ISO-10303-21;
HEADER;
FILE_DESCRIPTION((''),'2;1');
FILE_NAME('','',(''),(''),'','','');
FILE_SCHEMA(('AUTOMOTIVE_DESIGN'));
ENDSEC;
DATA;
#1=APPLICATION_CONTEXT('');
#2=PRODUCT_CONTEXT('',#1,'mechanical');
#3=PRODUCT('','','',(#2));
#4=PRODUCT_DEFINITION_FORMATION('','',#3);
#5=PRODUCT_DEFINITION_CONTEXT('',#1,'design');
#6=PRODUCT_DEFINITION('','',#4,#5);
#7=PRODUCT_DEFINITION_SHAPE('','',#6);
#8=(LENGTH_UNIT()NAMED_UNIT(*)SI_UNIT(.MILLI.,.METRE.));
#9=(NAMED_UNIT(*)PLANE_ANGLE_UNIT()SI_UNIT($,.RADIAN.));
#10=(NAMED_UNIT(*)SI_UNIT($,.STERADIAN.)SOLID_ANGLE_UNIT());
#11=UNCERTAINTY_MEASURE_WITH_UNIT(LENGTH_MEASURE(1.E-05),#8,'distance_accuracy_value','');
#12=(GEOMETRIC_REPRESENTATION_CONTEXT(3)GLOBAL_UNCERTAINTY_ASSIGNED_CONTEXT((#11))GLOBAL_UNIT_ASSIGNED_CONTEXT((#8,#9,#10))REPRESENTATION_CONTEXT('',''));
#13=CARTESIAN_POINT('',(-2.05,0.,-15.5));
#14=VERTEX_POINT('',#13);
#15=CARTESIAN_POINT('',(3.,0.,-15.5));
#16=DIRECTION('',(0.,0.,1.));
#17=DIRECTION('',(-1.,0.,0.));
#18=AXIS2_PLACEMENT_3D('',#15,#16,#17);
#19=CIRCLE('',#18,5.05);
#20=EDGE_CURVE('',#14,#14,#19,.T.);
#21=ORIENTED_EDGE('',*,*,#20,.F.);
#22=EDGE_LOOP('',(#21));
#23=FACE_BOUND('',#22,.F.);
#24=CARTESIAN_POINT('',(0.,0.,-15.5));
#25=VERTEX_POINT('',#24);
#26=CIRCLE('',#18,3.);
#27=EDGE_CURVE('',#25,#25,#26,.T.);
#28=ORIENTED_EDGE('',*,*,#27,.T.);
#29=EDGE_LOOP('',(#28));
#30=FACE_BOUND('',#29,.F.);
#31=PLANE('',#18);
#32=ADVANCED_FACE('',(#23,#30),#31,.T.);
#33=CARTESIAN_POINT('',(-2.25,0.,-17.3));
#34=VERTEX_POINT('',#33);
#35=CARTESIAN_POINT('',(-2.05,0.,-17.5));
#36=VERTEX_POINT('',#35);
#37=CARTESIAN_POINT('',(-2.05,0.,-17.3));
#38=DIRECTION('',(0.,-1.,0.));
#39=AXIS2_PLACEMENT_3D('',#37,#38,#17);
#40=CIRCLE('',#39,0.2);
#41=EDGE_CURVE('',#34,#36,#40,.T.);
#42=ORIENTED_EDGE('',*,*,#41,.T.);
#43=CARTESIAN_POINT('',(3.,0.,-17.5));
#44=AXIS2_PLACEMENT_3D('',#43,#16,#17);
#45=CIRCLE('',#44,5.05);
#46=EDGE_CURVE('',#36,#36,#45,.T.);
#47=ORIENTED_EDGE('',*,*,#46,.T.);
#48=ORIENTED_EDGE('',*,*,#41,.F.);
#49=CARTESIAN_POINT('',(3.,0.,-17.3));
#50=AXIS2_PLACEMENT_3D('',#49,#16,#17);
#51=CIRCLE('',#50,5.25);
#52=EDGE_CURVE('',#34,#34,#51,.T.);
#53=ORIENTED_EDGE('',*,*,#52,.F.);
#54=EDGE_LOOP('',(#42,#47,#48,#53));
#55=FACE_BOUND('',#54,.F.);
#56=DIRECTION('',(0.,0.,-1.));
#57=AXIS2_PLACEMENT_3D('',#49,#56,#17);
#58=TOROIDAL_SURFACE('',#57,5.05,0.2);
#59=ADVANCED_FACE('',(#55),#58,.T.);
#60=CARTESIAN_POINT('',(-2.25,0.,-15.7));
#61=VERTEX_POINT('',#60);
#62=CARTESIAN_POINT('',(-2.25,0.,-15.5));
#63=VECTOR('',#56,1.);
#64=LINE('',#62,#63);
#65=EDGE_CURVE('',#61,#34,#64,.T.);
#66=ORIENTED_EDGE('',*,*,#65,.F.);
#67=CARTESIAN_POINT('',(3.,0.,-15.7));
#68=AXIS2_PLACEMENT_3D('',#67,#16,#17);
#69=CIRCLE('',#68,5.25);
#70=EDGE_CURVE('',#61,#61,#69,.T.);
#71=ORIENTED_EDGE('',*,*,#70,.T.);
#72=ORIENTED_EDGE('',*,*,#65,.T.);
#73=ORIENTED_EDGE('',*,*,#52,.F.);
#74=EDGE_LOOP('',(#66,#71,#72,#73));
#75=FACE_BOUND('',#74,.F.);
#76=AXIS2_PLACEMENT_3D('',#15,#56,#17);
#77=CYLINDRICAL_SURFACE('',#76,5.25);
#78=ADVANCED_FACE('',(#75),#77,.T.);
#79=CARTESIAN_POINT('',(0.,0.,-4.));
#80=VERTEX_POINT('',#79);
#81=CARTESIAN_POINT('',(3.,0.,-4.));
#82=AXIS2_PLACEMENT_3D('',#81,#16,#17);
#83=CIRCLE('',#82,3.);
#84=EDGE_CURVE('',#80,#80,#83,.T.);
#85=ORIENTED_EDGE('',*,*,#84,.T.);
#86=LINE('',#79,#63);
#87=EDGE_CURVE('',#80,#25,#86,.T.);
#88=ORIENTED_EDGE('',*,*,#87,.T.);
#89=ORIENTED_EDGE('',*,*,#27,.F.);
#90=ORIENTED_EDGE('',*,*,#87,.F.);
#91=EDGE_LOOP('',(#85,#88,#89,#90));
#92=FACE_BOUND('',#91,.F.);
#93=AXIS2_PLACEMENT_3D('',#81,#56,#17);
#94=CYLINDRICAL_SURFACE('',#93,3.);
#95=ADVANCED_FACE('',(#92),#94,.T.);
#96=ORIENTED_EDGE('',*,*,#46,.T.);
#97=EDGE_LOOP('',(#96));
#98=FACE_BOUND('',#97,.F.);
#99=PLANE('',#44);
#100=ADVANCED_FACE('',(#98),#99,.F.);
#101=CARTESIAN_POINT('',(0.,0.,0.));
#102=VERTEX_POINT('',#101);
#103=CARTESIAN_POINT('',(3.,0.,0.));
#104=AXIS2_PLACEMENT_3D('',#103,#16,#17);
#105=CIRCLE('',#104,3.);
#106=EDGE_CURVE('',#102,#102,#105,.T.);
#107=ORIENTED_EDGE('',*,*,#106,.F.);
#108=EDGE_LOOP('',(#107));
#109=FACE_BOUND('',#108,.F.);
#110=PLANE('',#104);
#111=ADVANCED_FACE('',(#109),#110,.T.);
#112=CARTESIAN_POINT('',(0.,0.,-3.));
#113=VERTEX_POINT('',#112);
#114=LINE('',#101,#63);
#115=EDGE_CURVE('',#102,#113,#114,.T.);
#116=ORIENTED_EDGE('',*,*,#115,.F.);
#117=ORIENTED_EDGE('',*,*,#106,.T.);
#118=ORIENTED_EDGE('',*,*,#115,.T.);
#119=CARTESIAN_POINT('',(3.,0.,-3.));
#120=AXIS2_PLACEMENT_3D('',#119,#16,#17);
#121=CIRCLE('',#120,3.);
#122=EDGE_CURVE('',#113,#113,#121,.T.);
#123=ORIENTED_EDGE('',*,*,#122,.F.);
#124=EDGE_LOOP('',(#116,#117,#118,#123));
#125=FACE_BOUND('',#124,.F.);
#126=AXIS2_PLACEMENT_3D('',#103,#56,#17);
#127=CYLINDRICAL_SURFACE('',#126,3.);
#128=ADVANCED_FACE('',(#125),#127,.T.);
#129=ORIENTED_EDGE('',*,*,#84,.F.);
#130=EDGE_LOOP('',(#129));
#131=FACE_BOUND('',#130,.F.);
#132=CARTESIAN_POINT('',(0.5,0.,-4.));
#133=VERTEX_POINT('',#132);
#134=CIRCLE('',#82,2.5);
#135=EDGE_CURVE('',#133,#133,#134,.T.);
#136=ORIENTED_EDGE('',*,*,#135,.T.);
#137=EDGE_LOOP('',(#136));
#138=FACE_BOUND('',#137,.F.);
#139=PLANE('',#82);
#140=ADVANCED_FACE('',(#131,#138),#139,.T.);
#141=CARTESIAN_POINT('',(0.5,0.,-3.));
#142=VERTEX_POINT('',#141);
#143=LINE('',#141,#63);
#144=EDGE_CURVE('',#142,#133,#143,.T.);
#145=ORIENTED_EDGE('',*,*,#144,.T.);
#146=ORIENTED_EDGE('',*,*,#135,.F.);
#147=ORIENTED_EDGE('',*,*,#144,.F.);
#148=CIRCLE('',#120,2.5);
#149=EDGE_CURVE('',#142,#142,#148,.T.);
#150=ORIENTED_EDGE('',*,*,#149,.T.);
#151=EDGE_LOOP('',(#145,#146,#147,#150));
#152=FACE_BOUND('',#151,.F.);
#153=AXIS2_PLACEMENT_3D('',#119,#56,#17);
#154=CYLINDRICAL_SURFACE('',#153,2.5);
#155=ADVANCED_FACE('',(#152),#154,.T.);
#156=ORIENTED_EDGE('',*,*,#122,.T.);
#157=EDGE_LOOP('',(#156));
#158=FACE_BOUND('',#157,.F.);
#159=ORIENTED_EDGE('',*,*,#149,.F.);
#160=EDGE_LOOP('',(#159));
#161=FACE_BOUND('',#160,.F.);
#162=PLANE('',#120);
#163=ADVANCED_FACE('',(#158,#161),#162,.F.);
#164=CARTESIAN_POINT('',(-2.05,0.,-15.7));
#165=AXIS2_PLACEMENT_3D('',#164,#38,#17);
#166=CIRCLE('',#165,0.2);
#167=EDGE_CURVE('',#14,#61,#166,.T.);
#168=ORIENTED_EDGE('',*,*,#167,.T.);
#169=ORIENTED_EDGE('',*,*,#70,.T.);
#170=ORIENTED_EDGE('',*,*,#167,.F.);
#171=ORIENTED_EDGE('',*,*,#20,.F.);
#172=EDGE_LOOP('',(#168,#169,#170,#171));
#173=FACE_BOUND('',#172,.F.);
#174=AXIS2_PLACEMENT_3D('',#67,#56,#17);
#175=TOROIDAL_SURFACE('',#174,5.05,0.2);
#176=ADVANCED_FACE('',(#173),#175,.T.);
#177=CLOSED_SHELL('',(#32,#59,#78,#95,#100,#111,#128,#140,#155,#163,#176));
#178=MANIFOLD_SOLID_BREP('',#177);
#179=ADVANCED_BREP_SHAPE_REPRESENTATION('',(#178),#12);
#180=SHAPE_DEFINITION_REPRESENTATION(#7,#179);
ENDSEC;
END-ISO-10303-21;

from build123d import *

# Parameters (mm, degrees)
REDONDEO1_R = 0.2


with BuildPart() as part:
    # Croquis2 → Revolución1 (revolve)
    with BuildSketch(Plane(origin=(0, 0, 0), x_dir=(1, 0, 0), z_dir=(0, 1, 0))):
        Polygon((0, 0), (0, 3), (0.5, 3), (0.5, 4), (0, 4), (0, 15.5), (-2.25, 15.5), (-2.25, 17.5), (3, 17.5), (3, 0), align=None)
    revolve(axis=Axis((3, 0, -17.5), (0, 0, 1)))

    # Redondeo1
    redondeo1_edges = [part.edges().sort_by_distance(p)[0] for p in [
        (8.25, 0, -17.5),
        (8.25, 0, -15.5),
    ]]
    fillet(redondeo1_edges, radius=REDONDEO1_R)


solid = part.part
